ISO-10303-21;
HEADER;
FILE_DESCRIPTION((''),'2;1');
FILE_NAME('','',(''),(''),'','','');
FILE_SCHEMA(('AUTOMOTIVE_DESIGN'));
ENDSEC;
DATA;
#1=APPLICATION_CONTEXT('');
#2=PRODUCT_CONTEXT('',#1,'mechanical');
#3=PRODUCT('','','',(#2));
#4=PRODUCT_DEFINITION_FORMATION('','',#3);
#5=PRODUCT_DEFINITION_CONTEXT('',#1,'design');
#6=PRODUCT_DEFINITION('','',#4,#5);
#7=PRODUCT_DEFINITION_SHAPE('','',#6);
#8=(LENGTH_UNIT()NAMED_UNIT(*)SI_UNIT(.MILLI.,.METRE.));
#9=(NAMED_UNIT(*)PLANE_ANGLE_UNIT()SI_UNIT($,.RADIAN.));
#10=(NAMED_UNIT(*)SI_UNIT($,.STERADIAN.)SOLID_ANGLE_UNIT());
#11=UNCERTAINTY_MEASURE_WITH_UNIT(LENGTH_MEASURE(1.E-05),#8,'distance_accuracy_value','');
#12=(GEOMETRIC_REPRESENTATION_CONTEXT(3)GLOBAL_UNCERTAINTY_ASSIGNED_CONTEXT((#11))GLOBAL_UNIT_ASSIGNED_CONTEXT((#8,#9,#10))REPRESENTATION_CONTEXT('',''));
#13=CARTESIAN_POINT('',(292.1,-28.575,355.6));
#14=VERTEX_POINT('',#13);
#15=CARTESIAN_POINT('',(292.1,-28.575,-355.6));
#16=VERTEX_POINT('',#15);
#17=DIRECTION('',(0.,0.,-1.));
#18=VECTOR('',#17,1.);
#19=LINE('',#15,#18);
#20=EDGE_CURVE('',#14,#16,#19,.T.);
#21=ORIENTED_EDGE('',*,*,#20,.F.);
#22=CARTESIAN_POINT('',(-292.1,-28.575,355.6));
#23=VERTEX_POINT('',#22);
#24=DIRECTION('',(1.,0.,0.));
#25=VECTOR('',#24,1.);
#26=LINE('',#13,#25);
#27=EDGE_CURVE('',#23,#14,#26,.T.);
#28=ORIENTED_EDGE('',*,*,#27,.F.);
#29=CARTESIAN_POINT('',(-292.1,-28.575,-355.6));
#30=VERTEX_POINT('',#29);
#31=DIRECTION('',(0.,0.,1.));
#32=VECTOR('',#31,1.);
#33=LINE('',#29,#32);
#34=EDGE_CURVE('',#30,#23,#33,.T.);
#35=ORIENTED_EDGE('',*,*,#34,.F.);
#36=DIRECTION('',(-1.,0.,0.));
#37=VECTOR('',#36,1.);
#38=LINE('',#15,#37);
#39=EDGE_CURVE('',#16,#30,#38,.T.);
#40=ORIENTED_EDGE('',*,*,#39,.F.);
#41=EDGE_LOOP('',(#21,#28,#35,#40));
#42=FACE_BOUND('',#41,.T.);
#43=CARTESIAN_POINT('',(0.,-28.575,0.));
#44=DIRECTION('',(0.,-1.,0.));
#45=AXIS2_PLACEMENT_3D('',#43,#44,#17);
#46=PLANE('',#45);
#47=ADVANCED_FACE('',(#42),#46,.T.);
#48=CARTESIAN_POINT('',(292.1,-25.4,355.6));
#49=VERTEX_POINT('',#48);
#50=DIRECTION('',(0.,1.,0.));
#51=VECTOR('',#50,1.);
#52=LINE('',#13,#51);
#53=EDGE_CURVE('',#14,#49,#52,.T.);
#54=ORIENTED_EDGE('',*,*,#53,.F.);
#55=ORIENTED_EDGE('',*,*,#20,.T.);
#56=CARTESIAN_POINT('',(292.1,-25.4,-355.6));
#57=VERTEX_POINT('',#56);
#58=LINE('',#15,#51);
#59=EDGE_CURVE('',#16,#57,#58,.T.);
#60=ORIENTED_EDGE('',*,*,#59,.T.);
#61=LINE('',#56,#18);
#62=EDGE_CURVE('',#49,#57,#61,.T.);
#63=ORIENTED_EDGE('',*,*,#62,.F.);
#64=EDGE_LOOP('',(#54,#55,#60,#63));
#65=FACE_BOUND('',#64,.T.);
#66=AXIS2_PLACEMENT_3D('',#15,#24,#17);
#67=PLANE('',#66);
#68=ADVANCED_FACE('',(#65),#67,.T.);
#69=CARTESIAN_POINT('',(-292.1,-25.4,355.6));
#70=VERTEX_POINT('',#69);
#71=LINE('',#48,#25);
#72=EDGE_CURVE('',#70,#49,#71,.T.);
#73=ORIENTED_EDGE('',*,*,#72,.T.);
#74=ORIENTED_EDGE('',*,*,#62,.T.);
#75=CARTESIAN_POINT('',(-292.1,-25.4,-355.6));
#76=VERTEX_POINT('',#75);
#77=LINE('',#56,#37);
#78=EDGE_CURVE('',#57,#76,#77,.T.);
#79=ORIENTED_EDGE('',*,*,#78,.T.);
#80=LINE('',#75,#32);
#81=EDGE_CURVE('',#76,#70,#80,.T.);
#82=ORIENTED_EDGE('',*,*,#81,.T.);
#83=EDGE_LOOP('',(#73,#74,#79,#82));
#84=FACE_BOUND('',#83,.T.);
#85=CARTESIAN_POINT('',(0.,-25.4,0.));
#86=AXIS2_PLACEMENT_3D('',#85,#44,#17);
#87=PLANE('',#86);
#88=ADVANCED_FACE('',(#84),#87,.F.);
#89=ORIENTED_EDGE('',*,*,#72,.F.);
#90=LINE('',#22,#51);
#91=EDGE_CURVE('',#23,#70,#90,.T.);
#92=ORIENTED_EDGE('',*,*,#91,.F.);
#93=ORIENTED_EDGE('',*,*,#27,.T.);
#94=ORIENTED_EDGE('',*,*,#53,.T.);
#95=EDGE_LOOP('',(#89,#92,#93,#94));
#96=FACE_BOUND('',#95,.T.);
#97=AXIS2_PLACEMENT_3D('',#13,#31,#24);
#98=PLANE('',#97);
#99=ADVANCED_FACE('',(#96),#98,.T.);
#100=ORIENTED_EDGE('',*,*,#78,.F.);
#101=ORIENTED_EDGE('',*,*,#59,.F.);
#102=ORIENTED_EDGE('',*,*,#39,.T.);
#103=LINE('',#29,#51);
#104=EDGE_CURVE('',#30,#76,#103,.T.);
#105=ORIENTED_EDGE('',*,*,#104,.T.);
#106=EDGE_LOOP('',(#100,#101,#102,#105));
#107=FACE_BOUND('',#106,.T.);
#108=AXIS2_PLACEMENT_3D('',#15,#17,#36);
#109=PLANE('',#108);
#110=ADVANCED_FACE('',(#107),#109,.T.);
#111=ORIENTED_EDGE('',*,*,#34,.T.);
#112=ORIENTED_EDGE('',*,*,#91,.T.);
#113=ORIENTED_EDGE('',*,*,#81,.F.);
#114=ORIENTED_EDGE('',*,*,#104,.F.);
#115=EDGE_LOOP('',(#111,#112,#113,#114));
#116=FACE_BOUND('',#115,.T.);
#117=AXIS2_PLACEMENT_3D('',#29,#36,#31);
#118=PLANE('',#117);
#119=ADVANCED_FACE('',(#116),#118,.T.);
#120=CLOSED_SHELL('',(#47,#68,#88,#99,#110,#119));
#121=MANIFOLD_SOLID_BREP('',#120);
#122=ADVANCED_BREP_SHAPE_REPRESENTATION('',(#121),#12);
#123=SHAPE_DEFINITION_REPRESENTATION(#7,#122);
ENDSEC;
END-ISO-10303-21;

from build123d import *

# Parameters (mm, degrees)
SKETCH1_W           = 584.2
SKETCH1_H           = 711.2
BOSS_EXTRUDE1_DEPTH = 3.175


with BuildPart() as part:
    # Sketch1 → Boss-Extrude1 (new body)
    with BuildSketch(Plane(origin=(0, -25.4, 330.2), x_dir=(1, 0, 0), z_dir=(0, 1, 0))):
        with Locations((0, 330.2)):
            Rectangle(SKETCH1_W, SKETCH1_H)
    extrude(amount=-BOSS_EXTRUDE1_DEPTH)


solid = part.part
